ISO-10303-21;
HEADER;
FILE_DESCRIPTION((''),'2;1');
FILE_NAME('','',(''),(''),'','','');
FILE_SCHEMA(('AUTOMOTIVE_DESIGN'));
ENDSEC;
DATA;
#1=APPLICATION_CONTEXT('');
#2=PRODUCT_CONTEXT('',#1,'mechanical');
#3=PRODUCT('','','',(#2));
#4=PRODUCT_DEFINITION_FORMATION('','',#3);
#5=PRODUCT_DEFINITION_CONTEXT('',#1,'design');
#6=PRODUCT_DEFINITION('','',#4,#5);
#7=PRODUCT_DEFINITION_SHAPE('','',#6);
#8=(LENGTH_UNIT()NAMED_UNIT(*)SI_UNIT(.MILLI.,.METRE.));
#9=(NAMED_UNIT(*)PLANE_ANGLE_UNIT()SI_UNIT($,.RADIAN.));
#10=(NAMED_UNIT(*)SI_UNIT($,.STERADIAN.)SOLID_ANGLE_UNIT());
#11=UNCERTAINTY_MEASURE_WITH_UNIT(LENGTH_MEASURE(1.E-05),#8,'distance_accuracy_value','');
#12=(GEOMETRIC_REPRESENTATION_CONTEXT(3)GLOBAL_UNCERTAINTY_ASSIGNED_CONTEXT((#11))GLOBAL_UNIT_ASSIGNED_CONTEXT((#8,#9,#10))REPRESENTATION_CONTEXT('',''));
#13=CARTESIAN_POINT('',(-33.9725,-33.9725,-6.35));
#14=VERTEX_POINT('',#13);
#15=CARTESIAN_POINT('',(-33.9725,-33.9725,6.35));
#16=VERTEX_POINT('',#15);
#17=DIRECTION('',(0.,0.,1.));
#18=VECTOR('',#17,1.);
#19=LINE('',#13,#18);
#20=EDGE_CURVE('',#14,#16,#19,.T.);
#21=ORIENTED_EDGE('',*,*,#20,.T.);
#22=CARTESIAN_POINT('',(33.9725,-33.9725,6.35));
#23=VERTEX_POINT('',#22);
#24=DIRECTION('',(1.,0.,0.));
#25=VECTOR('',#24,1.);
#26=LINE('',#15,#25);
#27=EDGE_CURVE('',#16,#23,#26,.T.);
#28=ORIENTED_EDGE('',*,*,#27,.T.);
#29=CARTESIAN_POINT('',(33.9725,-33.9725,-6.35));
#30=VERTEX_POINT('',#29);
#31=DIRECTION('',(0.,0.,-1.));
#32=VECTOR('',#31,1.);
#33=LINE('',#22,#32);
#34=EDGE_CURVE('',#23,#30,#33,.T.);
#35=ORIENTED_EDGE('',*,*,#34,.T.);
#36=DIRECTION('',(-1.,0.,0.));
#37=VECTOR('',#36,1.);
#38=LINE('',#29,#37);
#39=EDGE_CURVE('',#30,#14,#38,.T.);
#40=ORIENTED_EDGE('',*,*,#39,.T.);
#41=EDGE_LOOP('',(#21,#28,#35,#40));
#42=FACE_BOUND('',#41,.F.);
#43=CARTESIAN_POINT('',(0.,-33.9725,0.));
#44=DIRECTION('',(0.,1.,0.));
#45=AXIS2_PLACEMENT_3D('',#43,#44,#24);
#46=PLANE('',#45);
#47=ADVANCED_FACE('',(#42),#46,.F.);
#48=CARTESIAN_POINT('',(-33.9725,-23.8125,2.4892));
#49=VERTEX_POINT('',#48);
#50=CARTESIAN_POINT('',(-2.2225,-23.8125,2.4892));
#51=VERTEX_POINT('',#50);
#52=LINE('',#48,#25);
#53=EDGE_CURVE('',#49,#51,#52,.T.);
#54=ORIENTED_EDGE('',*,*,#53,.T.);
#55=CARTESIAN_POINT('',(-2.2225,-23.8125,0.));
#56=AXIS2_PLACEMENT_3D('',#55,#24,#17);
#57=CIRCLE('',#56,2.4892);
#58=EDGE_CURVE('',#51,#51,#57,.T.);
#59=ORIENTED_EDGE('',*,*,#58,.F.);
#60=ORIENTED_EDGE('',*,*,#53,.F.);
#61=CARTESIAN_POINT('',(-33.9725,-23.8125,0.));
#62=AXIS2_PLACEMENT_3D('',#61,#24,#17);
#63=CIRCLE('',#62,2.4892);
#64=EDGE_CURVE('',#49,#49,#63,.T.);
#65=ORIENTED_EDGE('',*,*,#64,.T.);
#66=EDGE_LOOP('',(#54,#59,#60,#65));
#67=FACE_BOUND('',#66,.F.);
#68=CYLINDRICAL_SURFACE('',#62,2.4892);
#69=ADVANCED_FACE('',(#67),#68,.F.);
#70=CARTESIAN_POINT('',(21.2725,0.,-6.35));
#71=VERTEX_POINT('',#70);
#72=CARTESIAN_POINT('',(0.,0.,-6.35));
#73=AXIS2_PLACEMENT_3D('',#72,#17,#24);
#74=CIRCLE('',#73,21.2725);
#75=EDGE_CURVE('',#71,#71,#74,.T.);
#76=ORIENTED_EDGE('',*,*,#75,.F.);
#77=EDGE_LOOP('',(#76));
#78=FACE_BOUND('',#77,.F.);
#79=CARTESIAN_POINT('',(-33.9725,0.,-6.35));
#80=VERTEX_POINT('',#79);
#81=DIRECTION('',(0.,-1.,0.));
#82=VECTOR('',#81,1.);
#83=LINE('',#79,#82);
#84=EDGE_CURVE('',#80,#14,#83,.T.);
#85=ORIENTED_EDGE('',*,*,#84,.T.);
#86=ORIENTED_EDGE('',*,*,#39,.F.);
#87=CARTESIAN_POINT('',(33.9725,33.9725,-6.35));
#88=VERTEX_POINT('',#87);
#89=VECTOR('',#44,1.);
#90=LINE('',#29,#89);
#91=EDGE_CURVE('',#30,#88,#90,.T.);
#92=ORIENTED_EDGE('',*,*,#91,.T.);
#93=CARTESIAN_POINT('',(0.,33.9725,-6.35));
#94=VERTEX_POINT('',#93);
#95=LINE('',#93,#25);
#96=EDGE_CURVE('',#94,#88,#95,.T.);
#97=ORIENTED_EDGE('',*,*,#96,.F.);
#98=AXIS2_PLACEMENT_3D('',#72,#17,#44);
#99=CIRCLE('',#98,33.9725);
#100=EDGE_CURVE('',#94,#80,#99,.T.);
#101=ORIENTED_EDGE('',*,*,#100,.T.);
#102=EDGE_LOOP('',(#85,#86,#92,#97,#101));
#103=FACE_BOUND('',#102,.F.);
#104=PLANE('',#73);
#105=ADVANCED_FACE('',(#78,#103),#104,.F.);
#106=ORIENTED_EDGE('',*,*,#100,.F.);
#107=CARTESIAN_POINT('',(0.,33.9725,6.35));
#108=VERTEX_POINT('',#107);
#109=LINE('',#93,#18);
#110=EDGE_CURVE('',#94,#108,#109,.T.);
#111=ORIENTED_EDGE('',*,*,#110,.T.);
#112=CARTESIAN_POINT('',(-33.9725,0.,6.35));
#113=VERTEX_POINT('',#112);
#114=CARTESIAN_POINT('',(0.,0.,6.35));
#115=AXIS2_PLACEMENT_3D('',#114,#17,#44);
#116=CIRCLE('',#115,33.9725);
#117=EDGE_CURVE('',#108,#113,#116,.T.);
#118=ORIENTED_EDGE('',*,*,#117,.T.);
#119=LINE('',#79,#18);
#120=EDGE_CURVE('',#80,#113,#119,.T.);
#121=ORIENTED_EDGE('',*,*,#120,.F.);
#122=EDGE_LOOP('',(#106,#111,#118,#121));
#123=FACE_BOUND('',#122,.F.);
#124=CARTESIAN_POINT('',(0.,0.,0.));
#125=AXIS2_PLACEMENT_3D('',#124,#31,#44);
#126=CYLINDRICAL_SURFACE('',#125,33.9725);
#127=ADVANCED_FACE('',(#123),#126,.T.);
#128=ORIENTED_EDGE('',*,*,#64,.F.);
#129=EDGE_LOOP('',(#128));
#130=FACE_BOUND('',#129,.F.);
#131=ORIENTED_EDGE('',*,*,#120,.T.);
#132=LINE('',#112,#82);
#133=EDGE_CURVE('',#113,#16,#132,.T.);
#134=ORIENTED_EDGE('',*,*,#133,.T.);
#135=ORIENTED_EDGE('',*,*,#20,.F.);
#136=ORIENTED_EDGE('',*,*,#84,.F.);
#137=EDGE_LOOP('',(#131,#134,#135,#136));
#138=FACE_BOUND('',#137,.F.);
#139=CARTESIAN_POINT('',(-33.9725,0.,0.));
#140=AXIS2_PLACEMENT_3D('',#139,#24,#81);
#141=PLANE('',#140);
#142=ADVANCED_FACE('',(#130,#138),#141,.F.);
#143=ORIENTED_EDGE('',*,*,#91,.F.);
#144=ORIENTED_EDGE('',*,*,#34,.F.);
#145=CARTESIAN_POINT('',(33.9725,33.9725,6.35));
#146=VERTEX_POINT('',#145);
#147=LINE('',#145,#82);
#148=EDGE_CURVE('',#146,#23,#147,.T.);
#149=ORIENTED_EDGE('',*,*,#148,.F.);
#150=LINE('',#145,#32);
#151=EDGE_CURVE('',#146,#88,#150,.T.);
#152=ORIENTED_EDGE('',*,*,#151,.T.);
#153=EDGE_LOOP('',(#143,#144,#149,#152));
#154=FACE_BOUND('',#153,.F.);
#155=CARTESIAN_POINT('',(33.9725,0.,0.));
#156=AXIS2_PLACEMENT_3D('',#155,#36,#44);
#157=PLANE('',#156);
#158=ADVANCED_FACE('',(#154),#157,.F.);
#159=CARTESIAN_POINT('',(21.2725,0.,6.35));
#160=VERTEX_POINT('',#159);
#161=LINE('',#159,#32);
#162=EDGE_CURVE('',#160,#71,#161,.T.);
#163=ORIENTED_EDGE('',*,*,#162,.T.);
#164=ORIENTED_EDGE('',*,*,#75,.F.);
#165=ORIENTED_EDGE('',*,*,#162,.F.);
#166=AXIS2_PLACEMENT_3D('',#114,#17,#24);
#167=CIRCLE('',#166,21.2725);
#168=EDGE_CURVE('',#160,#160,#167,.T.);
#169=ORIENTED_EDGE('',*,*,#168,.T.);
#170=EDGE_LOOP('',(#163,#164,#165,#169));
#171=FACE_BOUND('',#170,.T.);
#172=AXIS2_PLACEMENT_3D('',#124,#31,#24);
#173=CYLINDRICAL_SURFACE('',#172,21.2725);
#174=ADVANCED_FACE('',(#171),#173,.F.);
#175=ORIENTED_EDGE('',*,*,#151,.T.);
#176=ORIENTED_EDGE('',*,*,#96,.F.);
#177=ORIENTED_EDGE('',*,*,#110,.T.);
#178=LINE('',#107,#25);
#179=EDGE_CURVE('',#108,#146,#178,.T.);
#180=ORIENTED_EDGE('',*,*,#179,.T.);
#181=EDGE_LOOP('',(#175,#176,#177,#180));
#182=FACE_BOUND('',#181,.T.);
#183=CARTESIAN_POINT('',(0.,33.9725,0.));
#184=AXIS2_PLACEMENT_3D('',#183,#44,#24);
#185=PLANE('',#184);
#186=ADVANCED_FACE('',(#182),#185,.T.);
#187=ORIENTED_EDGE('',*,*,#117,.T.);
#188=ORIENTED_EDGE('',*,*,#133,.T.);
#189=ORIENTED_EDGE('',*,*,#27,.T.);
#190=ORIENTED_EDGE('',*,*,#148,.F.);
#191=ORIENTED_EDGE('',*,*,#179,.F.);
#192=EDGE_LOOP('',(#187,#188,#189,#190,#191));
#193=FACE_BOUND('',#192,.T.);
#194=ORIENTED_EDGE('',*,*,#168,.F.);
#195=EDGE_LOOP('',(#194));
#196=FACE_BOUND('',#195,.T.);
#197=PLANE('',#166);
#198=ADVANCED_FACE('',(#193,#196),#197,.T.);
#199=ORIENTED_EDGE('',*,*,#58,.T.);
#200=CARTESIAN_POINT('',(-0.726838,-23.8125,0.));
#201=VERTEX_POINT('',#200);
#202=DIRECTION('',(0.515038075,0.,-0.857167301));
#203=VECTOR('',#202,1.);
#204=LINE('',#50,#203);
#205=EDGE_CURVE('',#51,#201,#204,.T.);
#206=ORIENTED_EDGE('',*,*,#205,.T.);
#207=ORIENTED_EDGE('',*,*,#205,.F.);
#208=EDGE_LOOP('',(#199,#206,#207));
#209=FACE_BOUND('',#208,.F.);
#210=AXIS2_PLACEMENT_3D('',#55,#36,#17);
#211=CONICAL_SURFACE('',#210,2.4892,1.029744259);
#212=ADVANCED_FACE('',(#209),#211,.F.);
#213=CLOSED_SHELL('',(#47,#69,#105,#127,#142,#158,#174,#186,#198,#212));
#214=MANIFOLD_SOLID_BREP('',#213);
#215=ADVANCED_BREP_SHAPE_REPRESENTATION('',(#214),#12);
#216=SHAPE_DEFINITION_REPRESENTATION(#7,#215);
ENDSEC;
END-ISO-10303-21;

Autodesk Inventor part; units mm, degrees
ref_plane "XZ Plane" through (0, 0, 0) normal (0, 1, 0) x (-1, 0, 0)
ref_plane "XY Plane" through (0, 0, 0) normal (0, 0, 1) x (1, 0, 0)
sketch "Sketch1" plane through (0, 0, 0) normal (0, 0, 1) x (1, 0, 0)
  circle A0 centre (0, 0) radius 21.2725
  arc A1 (0, 33.9725) -> (-33.9725, 0) centre (0, 0) ccw
  line L0 (0, -33.9725) -> (-33.9725, -33.9725)
  line L1 (-33.9725, 0) -> (-33.9725, -33.9725)
  line L2 (0, 33.9725) -> (33.9725, 33.9725)
  line L3 (0, -33.9725) -> (33.9725, -33.9725)
  line L4 (33.9725, 0) -> (33.9725, -33.9725)
  line L5 (33.9725, 0) -> (33.9725, 33.9725)
  dimension "d0" = 42.545
  dimension "d1" = 67.945
extrude "Extrusion1" add sketch "Sketch1" along normal mid plane 12.7
sketch "Sketch2" plane through (-33.9725, -33.9725, 6.35) normal (-1, 0, 0) x (0, 0, 1)
  line L0 (0, 0) -> (-12.7, 0) construction
  line L1 (-6.35, 0) -> (-6.35, 33.9725) construction
  point P0 (-6.35, 10.16)
  dimension "d4" = 10.16
hole "Hole1" at (-33.9725, -23.8125, 0) direction (1, 0, 0) diameter 4.9784 depth 31.75 tip angle 118 thread size "1/4-20 UNC" class "2B" standard "ANSI Unified Screw Threads"
ref_plane "Work Plane1" through (-9.525, 0, 0) normal (1, 0, 0) x (0, 1, 0)
sketch "Sketch3" plane through (33.9725, -33.9725, 6.35) normal (1, 0, 0) x (0, 0, -1)
  line L0 (0, 67.945) -> (12.7, 67.945) construction
  line L1 (6.35, 67.945) -> (6.35, 0) construction
  line L2 (0, 0) -> (12.7, 0) construction
  point P0 (6.35, 33.9725)
  point P1 (6.35, 61.595)
  point P2 (6.35, 6.35)
  dimension "d13" = 6.35
  dimension "d14" = 6.35
equation "\"d0\" = pipeDiameter"
equation "\"d1\" = pipeDiameter + 2 * outerRadius"
equation "\"pipeDiameter\" = 42.545"
equation "\"outerRadius\" = 12.7"
properties part number "gripperBracket"
